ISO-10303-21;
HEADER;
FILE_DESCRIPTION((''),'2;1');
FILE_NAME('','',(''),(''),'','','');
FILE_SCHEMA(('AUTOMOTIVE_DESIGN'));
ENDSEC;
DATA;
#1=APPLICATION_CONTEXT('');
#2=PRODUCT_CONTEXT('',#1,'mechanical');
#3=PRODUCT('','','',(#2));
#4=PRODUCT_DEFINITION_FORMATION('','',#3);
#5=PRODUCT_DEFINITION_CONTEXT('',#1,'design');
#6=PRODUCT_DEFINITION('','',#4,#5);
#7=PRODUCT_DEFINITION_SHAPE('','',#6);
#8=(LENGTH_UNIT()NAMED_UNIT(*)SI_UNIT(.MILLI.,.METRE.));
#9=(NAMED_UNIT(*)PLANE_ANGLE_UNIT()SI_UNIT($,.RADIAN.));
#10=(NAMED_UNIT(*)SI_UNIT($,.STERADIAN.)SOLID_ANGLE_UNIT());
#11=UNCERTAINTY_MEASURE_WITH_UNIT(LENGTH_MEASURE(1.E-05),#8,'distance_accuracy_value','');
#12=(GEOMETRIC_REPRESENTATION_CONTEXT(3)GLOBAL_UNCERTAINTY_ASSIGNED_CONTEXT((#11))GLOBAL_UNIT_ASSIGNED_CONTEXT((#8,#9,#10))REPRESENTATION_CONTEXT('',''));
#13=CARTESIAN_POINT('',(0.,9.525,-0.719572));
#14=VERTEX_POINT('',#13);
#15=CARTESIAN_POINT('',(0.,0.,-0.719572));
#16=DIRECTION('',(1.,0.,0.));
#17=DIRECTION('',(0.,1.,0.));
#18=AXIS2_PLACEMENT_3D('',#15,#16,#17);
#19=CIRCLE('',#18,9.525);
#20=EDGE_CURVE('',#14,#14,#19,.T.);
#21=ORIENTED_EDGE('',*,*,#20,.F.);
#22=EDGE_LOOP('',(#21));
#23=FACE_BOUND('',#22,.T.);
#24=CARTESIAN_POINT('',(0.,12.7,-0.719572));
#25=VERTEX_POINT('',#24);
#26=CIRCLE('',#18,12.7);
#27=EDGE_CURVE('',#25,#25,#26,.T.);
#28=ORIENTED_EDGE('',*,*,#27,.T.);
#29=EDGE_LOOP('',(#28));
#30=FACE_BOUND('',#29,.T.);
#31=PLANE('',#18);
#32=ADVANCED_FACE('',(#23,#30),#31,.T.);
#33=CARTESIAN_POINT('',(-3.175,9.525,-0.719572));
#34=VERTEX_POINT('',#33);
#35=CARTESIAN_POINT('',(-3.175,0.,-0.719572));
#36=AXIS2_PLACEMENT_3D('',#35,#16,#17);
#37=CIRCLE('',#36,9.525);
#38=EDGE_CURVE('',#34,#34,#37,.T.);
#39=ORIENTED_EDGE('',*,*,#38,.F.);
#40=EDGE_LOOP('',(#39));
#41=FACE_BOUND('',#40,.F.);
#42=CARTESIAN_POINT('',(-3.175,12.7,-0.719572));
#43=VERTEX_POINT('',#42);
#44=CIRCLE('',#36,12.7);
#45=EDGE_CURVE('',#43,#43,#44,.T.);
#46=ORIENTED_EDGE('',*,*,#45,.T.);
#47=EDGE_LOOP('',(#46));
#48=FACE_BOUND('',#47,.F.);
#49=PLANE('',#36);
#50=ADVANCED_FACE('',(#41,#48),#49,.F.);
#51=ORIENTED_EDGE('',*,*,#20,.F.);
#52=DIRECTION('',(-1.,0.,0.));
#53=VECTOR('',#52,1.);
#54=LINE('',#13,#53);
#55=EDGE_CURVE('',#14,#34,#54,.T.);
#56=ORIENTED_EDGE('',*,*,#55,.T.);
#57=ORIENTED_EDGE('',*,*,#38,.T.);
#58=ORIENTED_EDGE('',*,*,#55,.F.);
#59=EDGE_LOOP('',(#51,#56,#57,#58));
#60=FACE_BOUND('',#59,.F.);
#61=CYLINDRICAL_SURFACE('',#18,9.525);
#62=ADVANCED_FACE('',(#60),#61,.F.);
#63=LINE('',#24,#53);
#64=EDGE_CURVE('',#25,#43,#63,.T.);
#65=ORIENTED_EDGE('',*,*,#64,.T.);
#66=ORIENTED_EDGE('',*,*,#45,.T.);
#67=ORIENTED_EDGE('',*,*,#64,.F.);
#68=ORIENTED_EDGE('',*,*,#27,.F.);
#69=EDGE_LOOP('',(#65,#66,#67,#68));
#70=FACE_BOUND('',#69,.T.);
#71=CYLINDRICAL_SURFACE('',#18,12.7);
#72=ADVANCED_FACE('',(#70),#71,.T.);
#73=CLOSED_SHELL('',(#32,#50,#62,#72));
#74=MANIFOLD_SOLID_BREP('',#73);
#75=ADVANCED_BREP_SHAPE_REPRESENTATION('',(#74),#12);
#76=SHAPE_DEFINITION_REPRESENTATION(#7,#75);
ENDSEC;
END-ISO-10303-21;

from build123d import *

# Parameters (mm, degrees)
F0_R     = 12.7
F0_R_2   = 9.525
F1_DEPTH = 3.175


with BuildPart() as f1:
    # F0 (on Right) → F1 (new body)
    with BuildSketch(Plane.YZ):
        with Locations((0, -0.719572)):
            Circle(F0_R)
        with Locations((0, -0.719572)):
            Circle(F0_R_2, mode=Mode.SUBTRACT)
    extrude(amount=-F1_DEPTH)


solid = f1.part
